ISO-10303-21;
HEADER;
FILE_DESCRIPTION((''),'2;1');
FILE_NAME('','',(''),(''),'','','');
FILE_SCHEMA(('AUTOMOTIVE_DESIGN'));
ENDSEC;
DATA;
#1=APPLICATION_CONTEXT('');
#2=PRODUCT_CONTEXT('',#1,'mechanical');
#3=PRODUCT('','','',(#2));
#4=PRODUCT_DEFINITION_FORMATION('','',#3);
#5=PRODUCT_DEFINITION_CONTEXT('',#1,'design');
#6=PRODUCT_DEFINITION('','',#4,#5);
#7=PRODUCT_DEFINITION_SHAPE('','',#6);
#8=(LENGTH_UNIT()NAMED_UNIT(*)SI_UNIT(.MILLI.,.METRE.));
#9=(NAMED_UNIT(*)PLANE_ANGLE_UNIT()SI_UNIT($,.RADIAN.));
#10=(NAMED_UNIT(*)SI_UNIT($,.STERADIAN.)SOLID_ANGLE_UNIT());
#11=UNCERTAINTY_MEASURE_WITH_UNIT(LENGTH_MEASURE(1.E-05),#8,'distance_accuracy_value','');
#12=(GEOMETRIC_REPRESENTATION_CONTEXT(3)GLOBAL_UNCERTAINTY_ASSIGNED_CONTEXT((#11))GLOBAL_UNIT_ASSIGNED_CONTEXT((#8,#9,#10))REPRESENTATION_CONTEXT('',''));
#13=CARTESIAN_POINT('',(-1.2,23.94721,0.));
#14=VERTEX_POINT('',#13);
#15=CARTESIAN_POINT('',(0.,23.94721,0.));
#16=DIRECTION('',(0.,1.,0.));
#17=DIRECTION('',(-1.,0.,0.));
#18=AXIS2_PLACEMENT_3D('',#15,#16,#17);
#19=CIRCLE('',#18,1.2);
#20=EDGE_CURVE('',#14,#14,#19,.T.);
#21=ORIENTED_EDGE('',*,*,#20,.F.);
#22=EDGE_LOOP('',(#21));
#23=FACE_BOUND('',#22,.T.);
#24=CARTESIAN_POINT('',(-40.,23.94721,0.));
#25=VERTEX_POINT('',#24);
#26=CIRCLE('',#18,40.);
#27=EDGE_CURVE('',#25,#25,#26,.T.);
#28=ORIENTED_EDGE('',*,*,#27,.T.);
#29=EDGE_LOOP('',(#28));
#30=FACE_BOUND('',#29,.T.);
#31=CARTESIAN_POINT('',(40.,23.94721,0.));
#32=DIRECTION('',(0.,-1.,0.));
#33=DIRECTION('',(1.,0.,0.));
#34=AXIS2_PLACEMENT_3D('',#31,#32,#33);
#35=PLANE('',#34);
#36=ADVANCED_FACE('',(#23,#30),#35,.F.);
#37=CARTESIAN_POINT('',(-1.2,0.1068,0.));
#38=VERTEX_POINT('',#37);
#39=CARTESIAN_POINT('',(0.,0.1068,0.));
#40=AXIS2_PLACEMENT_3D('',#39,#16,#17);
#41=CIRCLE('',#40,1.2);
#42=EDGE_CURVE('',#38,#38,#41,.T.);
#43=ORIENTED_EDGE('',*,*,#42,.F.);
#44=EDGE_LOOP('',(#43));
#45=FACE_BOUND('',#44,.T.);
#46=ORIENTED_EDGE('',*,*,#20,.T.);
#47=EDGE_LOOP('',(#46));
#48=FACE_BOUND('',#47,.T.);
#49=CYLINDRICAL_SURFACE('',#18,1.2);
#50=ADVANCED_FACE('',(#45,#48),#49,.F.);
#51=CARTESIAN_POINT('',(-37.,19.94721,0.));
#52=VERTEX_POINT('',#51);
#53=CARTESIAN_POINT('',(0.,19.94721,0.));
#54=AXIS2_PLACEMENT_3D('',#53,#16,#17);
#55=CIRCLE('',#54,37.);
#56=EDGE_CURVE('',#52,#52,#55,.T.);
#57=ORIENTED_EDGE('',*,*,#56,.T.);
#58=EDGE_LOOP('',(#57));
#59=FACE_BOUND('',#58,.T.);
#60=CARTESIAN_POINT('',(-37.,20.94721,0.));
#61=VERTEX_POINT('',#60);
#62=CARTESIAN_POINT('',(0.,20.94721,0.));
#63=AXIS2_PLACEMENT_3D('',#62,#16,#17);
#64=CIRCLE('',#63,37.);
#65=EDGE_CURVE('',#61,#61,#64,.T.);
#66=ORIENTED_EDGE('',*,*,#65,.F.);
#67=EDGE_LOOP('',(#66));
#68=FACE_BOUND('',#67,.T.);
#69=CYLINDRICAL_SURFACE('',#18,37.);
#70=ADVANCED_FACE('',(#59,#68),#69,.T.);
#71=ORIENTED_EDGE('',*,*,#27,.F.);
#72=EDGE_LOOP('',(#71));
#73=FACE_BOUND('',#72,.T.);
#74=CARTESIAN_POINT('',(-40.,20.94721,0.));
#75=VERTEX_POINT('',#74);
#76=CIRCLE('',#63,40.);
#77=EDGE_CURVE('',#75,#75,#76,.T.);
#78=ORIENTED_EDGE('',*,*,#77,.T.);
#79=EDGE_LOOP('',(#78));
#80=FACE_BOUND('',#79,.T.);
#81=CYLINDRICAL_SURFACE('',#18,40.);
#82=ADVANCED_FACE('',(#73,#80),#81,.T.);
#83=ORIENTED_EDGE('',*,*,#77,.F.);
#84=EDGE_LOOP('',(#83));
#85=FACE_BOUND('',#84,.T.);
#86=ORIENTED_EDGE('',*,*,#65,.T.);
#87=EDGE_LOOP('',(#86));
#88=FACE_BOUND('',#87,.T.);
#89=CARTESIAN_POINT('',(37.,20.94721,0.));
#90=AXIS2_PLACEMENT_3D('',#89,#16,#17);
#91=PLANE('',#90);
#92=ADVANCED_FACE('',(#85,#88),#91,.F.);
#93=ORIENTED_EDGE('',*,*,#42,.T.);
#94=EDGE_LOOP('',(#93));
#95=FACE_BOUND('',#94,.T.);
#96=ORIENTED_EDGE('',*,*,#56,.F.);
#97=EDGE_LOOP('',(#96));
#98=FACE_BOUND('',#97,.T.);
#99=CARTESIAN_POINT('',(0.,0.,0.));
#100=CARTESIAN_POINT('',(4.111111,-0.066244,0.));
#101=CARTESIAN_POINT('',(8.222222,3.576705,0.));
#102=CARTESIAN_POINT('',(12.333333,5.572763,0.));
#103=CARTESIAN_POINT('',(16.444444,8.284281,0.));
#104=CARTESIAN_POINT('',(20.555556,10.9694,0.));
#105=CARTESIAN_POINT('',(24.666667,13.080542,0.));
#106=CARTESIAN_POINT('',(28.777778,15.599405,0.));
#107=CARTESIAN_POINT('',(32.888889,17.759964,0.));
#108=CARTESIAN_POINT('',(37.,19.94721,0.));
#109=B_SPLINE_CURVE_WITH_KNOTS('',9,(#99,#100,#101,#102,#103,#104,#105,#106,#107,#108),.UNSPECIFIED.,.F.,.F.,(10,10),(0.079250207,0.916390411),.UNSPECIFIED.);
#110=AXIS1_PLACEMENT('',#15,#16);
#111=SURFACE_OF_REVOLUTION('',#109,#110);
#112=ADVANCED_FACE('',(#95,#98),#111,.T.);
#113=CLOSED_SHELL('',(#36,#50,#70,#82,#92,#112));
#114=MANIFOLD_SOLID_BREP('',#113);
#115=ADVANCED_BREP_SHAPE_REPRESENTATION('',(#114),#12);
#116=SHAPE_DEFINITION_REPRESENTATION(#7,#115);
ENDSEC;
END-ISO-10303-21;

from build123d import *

# Parameters (mm, degrees)
SKETCH5_R          = 1.2
CUT_EXTRUDE1_DEPTH = 62.428828527


with BuildPart() as part:
    # Sketch3 → Revolve4 (revolve)
    with BuildSketch(Plane.XY, mode=Mode.PRIVATE) as revolve4_sk:
        with BuildLine():
            Line((1.2, 23.947209718), (1.2, 18.947209718))
            Line((1.2, 18.947209718), (0, 18.947209718))
            Line((0, 18.947209718), (0, 0))
            add(Edge.make_bspline(
                [(0, 0), (4.111111152, -0.066244065), (8.222222237, 3.576705393), (12.333333353, 5.572763044), (16.444444455, 8.284281239), (20.555555558, 10.96940007), (24.666666671, 13.080542412), (28.777777776, 15.599404704), (32.888888888, 17.759964468), (37, 19.947209718)],
                knots=[0.079250207, 0.079250207, 0.079250207, 0.079250207, 0.079250207, 0.079250207, 0.079250207, 0.079250207, 0.079250207, 0.079250207, 0.916390411, 0.916390411, 0.916390411, 0.916390411, 0.916390411, 0.916390411, 0.916390411, 0.916390411, 0.916390411, 0.916390411], degree=9))
            Line((37, 19.947209718), (37, 20.947209718))
            Line((37, 20.947209718), (40, 20.947209718))
            Line((40, 20.947209718), (40, 23.947209718))
            Line((40, 23.947209718), (1.2, 23.947209718))
        make_face()
    revolve(revolve4_sk.sketch.rotate(Axis((0, 23.947209718, 0), (0, -1, 0)), 180), axis=Axis((0, 23.947209718, 0), (0, -1, 0)))

    # Sketch5 → Cut-Extrude1 (cut, through all)
    with BuildSketch(Plane(origin=(0, 23.947209718, 0), x_dir=(1, 0, 0), z_dir=(0, 1, 0))):
        with Locations(Location((0, 0, 0), (0, 0, 180))):
            Circle(SKETCH5_R)
    extrude(amount=-CUT_EXTRUDE1_DEPTH, mode=Mode.SUBTRACT)


solid = part.part
